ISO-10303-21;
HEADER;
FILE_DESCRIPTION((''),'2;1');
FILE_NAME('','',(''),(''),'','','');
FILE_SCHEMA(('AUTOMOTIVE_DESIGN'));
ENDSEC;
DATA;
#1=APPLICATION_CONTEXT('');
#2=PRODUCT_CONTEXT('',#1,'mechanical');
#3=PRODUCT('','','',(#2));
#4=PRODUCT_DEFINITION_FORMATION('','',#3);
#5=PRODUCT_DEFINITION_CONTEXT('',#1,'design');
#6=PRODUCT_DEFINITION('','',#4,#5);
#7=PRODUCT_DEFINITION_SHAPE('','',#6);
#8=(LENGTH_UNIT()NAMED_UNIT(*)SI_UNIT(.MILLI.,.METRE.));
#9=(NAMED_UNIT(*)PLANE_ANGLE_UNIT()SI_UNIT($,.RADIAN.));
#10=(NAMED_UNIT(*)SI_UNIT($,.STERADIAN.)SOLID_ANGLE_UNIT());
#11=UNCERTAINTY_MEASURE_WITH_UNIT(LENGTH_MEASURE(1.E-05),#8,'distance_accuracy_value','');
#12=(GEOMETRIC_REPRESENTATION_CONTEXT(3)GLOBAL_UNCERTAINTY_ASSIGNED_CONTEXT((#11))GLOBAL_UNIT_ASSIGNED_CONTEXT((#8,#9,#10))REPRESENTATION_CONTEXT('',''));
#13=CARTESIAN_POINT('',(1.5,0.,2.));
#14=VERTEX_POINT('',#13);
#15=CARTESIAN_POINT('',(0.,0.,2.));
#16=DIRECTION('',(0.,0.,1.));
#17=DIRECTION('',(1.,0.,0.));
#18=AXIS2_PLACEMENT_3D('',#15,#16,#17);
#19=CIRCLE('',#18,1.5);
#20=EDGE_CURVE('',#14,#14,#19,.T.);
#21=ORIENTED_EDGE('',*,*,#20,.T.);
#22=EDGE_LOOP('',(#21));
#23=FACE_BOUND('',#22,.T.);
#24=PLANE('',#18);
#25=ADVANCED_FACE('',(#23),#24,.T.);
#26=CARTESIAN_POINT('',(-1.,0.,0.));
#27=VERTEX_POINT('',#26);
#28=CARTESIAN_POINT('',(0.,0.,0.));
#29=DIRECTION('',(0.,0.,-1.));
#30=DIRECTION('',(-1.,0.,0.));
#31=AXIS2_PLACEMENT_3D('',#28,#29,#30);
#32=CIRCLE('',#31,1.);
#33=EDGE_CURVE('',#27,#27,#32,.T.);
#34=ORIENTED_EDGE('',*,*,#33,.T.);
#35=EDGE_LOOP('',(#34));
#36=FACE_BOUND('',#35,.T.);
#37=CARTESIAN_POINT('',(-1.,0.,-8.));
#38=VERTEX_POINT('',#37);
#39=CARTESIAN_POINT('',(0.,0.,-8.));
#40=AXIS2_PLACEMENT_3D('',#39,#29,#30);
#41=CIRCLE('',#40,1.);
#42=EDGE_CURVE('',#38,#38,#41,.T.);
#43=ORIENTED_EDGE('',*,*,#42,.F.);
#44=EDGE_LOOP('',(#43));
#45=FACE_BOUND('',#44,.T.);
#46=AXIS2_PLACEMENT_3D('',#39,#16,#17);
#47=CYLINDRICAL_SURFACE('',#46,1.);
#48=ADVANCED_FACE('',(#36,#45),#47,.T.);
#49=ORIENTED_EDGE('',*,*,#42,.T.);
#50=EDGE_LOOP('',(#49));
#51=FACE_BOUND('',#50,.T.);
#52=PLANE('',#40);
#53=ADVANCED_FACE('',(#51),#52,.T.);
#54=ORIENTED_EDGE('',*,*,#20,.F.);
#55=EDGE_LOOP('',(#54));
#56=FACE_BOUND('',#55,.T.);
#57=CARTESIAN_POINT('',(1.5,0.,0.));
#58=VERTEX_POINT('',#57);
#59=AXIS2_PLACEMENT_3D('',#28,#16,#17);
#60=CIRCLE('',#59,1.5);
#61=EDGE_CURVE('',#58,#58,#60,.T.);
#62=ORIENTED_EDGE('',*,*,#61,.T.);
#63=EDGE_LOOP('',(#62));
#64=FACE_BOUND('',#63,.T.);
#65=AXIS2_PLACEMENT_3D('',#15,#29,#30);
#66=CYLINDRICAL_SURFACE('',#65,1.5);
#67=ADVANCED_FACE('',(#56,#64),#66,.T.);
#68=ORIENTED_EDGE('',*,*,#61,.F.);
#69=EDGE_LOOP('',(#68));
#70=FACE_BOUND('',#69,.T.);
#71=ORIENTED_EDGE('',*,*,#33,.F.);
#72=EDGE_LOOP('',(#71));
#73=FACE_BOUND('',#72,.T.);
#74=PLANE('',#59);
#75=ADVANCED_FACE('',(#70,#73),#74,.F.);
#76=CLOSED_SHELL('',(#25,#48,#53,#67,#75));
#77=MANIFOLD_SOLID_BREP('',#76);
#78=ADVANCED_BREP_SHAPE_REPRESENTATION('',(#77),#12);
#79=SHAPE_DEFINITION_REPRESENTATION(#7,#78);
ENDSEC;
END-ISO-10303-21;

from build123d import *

# Parameters (mm, degrees)
SKETCH_1_R      = 1.5
EXTRUDE_1_DEPTH = 2
SKETCH_2_R      = 1
EXTRUDE_3_DEPTH = 8


with BuildPart() as part:
    # 草图1 → 凸台-拉伸1 (new body)
    with BuildSketch(Plane.XY):
        Circle(SKETCH_1_R)
    extrude(amount=EXTRUDE_1_DEPTH)

    # 草图2 → 凸台-拉伸3 (add)
    with BuildSketch(Plane(origin=(0, 0, 0), x_dir=(-1, 0, 0), z_dir=(0, 0, -1))):
        Circle(SKETCH_2_R)
    extrude(amount=EXTRUDE_3_DEPTH)


solid = part.part
